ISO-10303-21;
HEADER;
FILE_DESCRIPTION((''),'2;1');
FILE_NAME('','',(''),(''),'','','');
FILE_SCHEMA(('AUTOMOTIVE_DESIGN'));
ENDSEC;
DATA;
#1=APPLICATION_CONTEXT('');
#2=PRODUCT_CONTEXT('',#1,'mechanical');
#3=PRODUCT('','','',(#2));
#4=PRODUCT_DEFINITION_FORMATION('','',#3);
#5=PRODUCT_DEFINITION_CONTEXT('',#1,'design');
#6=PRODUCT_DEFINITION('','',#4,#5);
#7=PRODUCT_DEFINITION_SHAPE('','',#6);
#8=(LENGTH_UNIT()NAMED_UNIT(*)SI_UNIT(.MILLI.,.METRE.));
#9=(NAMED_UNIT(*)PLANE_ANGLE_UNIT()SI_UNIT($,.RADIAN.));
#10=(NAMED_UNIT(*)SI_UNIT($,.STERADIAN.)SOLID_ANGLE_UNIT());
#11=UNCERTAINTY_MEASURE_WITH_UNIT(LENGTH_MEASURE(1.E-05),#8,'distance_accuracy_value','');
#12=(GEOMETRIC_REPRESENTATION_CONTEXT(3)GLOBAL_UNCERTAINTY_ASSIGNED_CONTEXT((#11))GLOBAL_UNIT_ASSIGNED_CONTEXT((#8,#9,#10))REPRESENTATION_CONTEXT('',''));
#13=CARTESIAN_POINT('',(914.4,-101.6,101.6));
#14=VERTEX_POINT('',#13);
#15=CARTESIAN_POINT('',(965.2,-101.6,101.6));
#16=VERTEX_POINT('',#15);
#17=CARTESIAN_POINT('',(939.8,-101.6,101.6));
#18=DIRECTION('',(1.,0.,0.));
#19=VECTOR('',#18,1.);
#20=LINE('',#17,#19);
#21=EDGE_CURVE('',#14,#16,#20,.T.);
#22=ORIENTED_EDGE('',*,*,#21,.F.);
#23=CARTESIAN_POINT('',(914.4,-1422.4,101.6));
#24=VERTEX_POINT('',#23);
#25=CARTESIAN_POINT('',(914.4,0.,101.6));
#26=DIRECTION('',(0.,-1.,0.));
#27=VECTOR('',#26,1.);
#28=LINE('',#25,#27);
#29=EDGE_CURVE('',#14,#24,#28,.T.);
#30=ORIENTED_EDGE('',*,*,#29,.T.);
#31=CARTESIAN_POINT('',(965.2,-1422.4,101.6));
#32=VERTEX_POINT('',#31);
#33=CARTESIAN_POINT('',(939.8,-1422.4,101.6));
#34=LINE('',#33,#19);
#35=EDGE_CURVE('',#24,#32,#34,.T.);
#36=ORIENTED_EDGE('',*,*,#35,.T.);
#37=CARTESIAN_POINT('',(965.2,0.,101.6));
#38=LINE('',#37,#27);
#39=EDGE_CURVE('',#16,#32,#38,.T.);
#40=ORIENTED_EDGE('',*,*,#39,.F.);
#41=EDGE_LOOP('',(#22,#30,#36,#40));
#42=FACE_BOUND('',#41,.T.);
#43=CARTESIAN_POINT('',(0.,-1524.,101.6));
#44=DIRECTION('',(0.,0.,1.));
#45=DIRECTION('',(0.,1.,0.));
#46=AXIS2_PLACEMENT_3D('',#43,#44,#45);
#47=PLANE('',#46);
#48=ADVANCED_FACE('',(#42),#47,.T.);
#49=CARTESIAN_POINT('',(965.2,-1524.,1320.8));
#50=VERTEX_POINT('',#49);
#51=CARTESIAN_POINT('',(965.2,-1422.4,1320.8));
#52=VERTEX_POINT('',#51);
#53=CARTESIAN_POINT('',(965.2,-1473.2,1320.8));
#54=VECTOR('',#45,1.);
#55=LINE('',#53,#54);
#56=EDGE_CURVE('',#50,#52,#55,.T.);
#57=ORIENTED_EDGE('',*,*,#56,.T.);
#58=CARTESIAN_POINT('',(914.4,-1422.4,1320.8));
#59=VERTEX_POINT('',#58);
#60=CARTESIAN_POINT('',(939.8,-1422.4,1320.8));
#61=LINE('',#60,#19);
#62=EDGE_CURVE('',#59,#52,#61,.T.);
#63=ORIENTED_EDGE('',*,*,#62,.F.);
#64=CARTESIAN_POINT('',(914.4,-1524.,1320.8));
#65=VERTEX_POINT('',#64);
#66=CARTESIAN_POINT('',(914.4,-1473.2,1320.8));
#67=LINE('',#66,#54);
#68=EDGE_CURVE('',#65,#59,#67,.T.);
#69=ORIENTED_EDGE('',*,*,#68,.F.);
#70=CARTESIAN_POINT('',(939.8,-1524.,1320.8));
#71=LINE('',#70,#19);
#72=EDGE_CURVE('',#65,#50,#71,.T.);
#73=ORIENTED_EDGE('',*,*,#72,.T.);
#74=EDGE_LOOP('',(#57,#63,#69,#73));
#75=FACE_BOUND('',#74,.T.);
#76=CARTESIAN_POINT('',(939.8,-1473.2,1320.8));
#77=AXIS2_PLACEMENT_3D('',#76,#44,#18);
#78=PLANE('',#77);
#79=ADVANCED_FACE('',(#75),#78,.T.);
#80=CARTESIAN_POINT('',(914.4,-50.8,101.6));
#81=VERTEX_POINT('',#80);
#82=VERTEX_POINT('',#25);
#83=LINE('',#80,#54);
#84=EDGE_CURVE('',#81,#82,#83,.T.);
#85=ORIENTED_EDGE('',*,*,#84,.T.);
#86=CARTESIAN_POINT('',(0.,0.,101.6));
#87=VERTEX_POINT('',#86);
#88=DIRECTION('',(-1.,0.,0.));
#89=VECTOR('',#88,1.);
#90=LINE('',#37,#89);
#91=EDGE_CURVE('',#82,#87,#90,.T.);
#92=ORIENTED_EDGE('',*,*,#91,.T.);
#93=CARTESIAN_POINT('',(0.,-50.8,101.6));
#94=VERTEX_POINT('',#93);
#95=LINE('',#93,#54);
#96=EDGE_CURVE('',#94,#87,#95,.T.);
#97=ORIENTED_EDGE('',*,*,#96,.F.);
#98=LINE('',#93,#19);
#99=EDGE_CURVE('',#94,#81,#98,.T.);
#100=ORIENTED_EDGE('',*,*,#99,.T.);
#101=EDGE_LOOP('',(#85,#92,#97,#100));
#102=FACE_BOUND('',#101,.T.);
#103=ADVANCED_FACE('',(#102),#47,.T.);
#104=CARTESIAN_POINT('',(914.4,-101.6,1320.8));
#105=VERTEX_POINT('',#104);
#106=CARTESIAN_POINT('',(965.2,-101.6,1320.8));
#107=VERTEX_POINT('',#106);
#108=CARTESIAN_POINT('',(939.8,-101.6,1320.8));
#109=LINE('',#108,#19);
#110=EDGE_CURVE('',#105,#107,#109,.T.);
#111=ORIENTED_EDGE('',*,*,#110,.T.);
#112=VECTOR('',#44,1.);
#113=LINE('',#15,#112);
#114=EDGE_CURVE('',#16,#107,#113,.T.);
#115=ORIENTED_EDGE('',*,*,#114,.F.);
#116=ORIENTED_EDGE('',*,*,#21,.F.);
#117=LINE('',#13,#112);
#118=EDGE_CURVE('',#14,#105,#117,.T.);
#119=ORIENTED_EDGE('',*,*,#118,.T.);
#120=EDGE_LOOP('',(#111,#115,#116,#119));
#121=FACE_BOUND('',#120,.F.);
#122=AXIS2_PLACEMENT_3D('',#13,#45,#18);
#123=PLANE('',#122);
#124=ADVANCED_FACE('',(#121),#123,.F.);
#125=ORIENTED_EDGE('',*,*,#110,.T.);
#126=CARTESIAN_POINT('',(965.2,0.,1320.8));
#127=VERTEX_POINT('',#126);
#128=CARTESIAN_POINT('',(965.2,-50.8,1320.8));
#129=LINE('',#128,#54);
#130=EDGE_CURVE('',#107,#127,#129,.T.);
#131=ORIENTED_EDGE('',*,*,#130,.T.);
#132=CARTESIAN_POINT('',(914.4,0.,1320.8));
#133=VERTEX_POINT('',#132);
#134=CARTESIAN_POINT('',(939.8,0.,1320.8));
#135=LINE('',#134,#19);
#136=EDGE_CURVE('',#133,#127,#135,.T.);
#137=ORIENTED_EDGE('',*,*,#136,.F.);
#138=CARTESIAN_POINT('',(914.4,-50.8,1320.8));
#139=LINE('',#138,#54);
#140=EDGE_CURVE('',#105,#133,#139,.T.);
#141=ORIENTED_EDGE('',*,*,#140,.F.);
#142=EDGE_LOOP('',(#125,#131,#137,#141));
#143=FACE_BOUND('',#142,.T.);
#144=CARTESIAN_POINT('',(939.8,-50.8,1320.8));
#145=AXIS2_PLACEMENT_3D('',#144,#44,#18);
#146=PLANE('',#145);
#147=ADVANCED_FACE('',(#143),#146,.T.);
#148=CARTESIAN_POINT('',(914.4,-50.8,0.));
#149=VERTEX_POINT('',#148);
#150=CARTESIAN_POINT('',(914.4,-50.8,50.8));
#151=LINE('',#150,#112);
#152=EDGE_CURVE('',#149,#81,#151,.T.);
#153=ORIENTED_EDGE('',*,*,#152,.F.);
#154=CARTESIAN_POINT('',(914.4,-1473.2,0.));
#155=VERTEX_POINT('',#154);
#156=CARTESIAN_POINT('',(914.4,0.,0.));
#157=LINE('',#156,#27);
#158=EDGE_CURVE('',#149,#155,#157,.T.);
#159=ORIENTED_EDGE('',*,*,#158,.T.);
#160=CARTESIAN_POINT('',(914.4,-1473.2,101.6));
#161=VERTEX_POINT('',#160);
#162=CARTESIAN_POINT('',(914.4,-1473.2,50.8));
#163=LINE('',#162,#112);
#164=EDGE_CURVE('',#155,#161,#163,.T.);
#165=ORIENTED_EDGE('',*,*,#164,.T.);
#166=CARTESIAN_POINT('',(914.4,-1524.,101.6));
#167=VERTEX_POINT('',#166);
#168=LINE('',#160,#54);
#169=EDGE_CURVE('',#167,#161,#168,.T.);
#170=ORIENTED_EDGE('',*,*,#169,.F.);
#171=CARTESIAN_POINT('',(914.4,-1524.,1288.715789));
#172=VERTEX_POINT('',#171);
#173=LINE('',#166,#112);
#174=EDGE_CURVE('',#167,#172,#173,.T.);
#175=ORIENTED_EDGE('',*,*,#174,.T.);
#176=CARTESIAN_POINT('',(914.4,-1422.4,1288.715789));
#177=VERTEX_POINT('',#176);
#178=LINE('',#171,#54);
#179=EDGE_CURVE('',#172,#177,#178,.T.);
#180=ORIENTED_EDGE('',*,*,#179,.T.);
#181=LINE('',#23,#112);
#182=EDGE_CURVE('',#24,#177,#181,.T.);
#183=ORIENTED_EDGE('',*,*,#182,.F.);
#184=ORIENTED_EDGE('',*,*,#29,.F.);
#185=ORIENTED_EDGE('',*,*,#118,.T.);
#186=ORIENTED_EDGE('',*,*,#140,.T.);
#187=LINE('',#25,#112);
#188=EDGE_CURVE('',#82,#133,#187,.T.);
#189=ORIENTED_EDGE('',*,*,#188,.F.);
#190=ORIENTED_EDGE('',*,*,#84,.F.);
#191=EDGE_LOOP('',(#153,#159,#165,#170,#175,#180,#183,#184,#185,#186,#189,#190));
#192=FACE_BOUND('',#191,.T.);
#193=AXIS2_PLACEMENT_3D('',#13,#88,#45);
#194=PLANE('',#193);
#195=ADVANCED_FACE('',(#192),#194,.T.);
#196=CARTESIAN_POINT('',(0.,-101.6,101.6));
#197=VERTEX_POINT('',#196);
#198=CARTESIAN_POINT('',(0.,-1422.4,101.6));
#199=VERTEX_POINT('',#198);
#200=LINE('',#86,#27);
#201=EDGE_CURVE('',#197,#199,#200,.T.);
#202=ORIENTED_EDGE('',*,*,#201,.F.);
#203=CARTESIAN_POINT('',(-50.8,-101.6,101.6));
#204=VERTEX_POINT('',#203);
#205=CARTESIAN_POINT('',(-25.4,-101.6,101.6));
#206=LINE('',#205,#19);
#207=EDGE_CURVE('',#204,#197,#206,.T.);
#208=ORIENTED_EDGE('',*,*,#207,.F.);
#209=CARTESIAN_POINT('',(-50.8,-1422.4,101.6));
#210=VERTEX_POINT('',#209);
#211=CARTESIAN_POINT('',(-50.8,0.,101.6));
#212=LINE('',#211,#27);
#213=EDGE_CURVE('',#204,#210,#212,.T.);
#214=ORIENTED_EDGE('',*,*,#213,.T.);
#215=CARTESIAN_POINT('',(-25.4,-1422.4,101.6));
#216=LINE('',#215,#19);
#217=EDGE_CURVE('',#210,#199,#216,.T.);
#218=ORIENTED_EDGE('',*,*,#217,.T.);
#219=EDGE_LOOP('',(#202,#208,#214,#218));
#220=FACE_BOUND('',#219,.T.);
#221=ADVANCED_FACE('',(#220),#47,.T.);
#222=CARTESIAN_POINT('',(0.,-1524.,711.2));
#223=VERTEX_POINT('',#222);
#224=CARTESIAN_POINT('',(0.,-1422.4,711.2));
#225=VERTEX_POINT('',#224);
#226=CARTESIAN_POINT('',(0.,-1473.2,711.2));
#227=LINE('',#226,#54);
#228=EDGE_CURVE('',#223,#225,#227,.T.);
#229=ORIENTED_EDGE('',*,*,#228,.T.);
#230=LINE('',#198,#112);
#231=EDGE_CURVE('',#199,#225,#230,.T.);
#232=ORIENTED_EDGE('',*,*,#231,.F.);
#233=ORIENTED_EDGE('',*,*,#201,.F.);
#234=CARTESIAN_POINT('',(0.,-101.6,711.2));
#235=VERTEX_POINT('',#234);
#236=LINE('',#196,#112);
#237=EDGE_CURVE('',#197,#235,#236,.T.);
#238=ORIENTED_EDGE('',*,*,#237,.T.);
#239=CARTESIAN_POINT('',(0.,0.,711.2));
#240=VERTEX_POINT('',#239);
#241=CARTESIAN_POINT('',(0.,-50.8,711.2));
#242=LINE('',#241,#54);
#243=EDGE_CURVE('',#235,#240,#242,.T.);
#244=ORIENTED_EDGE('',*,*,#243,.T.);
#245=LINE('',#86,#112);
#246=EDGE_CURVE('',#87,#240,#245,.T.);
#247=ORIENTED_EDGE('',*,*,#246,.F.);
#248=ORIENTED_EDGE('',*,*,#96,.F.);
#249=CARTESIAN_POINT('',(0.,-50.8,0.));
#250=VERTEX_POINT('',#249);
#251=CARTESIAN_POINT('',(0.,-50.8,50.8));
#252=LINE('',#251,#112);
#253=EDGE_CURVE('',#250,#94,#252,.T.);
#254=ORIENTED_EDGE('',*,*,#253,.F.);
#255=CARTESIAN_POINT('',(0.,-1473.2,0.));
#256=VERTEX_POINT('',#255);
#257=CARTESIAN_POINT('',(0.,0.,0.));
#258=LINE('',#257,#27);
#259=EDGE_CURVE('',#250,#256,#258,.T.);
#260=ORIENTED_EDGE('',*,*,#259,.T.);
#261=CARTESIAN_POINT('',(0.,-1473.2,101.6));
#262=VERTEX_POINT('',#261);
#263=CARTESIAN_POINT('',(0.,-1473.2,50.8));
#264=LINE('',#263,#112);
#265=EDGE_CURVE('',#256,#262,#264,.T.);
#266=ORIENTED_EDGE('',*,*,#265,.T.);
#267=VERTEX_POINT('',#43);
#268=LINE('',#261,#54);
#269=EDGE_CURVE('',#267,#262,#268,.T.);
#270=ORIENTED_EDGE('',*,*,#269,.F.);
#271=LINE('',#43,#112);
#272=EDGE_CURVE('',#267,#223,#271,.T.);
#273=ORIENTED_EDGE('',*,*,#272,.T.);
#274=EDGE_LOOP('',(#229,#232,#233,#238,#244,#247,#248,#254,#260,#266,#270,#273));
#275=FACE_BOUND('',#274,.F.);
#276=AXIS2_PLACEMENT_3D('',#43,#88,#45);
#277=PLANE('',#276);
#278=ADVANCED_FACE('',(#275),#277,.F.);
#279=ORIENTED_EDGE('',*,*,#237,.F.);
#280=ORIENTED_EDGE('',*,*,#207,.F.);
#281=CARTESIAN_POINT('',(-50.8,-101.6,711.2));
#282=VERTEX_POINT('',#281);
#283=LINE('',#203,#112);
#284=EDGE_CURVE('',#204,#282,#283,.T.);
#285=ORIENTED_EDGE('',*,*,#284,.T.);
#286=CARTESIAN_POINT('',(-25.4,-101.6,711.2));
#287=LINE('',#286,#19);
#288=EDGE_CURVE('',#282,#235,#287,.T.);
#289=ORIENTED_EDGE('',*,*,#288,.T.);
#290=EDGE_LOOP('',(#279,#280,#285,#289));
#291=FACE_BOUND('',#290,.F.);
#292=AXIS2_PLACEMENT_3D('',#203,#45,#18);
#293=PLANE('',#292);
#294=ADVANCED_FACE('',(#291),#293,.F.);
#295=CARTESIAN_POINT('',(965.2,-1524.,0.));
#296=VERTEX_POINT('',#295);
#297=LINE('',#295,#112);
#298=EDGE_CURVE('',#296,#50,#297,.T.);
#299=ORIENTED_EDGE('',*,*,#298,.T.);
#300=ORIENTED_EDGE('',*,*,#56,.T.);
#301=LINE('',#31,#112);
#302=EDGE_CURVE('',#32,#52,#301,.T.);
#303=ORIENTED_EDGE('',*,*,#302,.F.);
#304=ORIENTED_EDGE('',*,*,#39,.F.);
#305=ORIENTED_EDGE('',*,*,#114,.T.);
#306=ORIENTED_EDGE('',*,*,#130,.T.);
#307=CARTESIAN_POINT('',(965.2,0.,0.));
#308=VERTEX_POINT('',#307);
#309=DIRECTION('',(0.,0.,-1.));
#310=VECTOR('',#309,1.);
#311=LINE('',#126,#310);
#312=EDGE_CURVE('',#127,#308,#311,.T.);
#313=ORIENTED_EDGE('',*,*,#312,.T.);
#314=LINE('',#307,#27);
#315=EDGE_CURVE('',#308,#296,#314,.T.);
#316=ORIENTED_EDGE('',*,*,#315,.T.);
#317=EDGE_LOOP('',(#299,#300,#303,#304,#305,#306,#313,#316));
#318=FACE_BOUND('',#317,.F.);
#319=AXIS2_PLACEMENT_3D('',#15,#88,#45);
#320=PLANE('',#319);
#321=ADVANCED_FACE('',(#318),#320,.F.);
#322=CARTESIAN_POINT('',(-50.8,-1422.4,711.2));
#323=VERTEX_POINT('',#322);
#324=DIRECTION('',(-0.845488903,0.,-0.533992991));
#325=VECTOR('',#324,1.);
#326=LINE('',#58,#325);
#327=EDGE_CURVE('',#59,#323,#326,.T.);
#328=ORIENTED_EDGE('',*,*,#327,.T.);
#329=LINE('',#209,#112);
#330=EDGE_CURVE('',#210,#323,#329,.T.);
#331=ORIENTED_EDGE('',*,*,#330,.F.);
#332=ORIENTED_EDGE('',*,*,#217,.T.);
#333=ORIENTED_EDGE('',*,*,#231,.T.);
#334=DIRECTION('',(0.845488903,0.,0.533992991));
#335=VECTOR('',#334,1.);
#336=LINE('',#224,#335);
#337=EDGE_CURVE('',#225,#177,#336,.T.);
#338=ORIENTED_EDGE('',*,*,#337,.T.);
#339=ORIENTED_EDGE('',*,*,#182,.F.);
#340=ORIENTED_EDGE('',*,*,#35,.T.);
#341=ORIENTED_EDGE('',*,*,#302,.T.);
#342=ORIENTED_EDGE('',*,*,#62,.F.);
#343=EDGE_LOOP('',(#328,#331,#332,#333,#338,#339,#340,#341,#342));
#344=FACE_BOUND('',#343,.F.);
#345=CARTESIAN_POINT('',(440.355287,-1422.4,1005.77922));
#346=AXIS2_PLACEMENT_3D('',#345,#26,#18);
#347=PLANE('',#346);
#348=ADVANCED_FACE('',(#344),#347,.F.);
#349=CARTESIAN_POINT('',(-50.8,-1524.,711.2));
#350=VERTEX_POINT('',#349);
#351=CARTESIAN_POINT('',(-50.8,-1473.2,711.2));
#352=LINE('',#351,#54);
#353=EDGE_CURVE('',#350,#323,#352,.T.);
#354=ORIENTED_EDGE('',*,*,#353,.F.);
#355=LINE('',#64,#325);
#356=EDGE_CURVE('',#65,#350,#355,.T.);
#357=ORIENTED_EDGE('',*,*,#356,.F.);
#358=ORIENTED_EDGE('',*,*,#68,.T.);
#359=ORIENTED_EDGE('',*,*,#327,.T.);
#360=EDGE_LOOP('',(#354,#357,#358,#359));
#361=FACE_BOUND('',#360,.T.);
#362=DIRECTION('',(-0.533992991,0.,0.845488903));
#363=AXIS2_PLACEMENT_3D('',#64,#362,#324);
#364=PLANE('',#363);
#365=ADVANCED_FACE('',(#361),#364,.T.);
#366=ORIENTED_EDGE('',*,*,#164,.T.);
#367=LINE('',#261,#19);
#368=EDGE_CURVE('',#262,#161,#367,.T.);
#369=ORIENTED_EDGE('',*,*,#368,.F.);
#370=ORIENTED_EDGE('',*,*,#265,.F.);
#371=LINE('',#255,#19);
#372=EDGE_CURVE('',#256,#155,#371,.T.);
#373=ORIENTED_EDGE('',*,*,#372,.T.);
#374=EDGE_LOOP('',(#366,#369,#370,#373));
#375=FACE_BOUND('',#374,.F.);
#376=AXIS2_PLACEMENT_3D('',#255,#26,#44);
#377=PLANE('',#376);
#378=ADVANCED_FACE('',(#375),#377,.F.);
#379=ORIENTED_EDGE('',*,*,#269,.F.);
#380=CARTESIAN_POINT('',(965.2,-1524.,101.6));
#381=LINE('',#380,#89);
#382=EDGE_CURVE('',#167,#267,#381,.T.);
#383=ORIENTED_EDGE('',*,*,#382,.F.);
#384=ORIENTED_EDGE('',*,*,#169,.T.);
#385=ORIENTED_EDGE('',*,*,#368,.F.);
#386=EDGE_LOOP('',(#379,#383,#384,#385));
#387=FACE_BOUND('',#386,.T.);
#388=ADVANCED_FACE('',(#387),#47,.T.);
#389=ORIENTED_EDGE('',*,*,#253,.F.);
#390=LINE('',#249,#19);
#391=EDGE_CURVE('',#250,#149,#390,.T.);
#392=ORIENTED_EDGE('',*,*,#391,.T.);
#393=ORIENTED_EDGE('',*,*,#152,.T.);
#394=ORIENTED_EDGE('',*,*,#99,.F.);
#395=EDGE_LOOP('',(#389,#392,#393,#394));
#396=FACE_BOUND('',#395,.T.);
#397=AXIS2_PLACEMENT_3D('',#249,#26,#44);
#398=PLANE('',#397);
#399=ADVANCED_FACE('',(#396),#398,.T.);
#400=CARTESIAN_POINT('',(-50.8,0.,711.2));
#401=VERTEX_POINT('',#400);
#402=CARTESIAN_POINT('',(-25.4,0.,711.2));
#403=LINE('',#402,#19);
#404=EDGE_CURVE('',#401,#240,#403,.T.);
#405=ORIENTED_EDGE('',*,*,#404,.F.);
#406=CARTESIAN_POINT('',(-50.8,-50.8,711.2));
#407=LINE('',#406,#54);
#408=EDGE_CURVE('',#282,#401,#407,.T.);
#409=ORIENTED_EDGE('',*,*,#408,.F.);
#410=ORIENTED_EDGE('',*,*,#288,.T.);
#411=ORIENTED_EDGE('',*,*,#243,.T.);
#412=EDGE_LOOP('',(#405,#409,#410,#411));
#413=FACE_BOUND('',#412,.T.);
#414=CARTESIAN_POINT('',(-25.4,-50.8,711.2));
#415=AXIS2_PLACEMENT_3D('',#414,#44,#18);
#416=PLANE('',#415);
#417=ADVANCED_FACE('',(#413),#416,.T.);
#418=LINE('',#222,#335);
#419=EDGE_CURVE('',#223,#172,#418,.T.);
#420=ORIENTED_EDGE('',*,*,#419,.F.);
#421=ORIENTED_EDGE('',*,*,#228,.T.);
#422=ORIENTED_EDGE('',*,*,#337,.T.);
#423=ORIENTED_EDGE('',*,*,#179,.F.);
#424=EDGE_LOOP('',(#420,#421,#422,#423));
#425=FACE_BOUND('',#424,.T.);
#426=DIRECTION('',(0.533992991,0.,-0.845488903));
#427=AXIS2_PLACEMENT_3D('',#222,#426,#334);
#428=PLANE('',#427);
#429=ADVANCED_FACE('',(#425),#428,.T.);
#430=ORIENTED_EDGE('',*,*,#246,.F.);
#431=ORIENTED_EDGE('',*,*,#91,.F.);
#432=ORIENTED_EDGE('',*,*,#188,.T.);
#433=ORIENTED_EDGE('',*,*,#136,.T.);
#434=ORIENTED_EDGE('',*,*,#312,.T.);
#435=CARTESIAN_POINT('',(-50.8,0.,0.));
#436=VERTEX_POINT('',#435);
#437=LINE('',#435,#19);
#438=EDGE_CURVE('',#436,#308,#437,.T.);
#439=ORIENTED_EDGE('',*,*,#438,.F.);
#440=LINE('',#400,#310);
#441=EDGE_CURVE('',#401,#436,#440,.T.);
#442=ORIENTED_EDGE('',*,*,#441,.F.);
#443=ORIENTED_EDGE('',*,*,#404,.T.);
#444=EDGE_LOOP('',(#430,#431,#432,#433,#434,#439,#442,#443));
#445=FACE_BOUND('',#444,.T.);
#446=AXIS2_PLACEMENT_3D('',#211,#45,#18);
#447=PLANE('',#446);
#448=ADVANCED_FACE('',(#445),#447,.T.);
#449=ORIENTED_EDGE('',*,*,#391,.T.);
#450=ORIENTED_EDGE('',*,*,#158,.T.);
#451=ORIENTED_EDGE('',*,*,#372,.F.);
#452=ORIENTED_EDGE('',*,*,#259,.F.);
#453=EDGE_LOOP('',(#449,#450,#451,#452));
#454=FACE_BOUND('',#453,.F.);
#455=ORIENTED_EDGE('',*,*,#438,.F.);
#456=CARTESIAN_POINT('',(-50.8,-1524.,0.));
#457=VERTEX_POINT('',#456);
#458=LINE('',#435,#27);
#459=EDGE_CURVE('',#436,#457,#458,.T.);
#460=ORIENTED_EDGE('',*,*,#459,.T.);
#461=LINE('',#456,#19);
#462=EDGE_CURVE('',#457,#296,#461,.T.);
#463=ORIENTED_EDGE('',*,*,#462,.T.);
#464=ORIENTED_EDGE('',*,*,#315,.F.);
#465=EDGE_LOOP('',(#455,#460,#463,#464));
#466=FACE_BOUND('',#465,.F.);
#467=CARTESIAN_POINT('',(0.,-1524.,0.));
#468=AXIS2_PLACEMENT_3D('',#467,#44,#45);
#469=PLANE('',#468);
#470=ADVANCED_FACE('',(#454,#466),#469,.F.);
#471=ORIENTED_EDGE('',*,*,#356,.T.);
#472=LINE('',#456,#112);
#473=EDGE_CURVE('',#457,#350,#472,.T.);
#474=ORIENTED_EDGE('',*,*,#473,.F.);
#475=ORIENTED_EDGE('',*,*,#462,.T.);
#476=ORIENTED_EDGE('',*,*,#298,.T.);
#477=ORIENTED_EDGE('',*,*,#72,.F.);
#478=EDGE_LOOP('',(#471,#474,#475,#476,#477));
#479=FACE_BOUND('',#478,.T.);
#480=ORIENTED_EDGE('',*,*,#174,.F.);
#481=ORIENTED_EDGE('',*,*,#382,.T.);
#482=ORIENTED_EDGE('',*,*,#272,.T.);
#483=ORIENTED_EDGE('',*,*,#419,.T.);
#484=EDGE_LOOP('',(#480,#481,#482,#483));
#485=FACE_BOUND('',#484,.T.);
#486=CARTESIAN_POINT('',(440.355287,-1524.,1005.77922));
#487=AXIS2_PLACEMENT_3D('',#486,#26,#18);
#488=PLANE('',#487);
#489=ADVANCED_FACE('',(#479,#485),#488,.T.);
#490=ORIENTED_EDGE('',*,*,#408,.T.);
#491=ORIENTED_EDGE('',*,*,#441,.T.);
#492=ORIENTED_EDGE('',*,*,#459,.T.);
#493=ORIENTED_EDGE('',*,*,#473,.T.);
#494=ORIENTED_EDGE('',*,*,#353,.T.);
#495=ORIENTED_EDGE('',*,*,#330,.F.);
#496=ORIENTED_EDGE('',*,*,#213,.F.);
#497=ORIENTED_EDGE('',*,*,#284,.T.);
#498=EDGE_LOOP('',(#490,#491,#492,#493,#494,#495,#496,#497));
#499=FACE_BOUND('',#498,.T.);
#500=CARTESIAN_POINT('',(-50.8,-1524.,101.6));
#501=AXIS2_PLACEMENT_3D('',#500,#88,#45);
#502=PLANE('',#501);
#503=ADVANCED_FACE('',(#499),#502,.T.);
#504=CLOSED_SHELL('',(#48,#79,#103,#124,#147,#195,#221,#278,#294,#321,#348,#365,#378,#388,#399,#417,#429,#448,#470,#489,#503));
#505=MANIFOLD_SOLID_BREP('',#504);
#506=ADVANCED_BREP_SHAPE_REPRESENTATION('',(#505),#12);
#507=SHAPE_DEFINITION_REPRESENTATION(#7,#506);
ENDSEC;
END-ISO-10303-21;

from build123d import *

# Parameters (mm, degrees)
F0_W      = 50.8
F0_H      = 101.6
F1_DEPTH  = 1524
F2_W      = 50.8
F2_H      = 101.6
F3_DEPTH  = 914.4
F4_W      = 50.8
F4_H      = 101.6
F5_DEPTH  = 1524
F6_W      = 50.8
F6_H      = 101.6
F7_DEPTH  = 914.4
F8_W      = 50.8
F8_H      = 101.6
F9_DEPTH  = 1219.2
F10_W     = 50.8
F10_H     = 101.6
F11_DEPTH = 1219.2
F12_W     = 50.8
F12_H     = 101.6
F13_DEPTH = 609.6
F14_W     = 50.8
F14_H     = 101.6
F15_DEPTH = 609.6
F17_DEPTH = 101.6


with BuildPart() as f1:
    # F0 (on Front) → F1 (new body)
    with BuildSketch(Plane.XZ):
        with Locations((-25.4, 50.8)):
            Rectangle(F0_W, F0_H)
    extrude(amount=F1_DEPTH)

    # F2 (on Right) → F3 (join)
    with BuildSketch(Plane.YZ):
        with Locations((-25.4, 50.8)):
            Rectangle(F2_W, F2_H)
    extrude(amount=F3_DEPTH)

    # F4 (on face) → F5 (join)
    with BuildSketch(Plane(origin=(0, 0, 0), x_dir=(-1, 0, 0), z_dir=(0, 1, 0))):
        with Locations((-939.8, 50.8)):
            Rectangle(F4_W, F4_H)
    extrude(amount=-F5_DEPTH)

    # F6 (on face) → F7 (join)
    with BuildSketch(Plane.YZ):
        with Locations((-1498.6, 50.8)):
            Rectangle(F6_W, F6_H)
    extrude(amount=F7_DEPTH)

    # F8 (on face) → F9 (join)
    with BuildSketch(Plane.XY.offset(101.6)):
        with Locations((939.8, -1473.2)):
            Rectangle(F8_W, F8_H)
    extrude(amount=F9_DEPTH)

    # F10 (on face) → F11 (join)
    with BuildSketch(Plane.XY.offset(101.6)):
        with Locations((939.8, -50.8)):
            Rectangle(F10_W, F10_H)
    extrude(amount=F11_DEPTH)

    # F12 (on face) → F13 (join)
    with BuildSketch(Plane.XY.offset(101.6)):
        with Locations((-25.4, -50.8)):
            Rectangle(F12_W, F12_H)
    extrude(amount=F13_DEPTH)

    # F14 (on face) → F15 (join)
    with BuildSketch(Plane.XY.offset(101.6)):
        with Locations((-25.4, -1473.2)):
            Rectangle(F14_W, F14_H)
    extrude(amount=F15_DEPTH)

    # F16 (on face) → F17 (join)
    with BuildSketch(Plane.XZ.offset(1524)):
        Polygon((914.4, 1320.8), (-50.8, 711.2), (0, 711.2), (914.4, 1288.715789), align=None)
    extrude(amount=-F17_DEPTH)


solid = f1.part
